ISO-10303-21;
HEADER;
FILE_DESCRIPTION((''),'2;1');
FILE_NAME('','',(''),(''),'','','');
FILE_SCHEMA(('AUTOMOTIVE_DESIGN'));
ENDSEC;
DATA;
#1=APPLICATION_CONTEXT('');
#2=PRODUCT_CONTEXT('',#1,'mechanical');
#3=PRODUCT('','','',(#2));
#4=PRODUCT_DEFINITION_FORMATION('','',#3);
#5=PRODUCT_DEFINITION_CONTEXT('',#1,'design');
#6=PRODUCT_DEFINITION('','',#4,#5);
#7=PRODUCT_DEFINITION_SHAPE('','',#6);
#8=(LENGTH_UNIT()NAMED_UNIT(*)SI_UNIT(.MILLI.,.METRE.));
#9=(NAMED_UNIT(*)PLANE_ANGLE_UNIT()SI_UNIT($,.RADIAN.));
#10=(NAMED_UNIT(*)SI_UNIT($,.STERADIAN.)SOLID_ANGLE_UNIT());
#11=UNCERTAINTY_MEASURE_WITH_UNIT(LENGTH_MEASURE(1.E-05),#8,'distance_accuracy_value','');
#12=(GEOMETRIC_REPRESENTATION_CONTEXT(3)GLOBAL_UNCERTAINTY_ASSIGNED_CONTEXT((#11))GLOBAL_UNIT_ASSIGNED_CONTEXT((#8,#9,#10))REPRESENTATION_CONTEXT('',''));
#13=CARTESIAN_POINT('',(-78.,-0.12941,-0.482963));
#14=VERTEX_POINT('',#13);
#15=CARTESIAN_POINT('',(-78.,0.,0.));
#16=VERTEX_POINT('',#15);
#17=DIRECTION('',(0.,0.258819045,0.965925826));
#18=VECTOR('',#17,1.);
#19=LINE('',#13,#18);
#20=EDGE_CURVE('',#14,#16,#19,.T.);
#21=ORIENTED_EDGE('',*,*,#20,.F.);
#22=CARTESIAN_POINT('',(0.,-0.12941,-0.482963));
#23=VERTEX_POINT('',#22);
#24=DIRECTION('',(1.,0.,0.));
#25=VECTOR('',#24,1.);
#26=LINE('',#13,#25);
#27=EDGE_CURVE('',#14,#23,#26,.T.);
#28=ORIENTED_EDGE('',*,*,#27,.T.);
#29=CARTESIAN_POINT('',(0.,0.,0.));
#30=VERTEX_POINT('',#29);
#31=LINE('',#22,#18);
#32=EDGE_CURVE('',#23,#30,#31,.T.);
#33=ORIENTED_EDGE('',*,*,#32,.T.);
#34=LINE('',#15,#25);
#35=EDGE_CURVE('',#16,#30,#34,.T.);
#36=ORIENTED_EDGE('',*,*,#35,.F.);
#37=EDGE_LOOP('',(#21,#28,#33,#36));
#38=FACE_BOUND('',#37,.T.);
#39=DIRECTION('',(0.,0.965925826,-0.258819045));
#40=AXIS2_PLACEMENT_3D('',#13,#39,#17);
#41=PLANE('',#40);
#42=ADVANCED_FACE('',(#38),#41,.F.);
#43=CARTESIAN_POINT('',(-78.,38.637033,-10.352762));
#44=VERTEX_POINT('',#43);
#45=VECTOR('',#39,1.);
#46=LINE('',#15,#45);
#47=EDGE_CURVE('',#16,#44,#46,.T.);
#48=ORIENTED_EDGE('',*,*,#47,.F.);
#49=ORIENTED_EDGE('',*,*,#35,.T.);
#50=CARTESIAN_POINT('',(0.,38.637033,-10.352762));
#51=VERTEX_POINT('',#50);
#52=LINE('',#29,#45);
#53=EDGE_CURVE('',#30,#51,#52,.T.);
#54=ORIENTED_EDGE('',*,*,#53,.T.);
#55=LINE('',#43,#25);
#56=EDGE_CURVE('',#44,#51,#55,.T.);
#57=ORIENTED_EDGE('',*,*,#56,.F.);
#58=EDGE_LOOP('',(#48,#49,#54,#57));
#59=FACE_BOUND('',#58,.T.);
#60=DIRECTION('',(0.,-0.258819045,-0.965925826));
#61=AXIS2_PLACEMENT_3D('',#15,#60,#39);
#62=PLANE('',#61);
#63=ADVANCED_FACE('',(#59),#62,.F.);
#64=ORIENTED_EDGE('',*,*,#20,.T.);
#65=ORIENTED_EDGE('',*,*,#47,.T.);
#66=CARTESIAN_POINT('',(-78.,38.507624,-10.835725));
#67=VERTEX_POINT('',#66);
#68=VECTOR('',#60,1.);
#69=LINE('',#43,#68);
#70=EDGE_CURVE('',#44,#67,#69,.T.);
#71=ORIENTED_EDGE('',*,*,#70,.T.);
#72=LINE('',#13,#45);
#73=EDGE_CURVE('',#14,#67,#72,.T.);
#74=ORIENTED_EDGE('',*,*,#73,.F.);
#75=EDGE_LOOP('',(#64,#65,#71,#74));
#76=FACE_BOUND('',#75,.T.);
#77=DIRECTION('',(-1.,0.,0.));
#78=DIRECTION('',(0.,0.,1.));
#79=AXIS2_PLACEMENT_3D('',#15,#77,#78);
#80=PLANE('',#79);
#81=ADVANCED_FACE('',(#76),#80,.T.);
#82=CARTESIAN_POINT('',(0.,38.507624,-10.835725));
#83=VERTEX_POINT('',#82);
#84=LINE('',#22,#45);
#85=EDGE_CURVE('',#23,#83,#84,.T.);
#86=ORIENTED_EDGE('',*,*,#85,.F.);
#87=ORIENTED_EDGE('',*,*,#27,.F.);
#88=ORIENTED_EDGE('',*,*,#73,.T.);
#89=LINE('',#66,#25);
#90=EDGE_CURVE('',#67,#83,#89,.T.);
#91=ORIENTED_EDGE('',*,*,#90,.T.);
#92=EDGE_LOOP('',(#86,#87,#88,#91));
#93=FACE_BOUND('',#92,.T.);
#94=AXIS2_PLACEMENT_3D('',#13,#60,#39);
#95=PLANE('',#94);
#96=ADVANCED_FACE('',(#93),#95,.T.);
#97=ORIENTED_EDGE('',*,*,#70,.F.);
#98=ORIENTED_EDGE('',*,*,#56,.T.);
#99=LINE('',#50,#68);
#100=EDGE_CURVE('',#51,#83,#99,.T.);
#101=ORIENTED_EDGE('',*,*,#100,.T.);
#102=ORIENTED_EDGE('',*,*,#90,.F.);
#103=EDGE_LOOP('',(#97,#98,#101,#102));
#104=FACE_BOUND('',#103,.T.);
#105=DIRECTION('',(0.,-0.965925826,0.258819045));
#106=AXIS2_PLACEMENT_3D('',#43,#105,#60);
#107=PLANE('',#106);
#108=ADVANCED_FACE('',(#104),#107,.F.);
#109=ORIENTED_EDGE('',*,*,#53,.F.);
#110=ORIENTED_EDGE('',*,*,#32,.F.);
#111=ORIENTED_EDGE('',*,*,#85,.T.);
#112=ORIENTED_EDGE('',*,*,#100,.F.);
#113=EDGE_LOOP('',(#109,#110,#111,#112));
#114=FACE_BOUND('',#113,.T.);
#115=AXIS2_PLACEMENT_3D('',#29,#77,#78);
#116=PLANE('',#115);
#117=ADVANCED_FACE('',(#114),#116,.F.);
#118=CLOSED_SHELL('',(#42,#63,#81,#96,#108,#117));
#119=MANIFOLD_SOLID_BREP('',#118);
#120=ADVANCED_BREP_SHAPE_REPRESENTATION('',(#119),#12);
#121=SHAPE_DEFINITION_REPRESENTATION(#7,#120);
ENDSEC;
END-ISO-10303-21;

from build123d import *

# Parameters (mm, degrees)
EXTRUDE_THIN1_DEPTH = 78


with BuildPart() as part:
    # Sketch1 → Extrude-Thin1 (new body)
    with BuildSketch(Plane(origin=(0, 0, 0), x_dir=(0, 0, -1), z_dir=(1, 0, 0))):
        Polygon((0, 0), (10.352761804, 38.637033052), (10.835724717, 38.507623529), (0.482962913, -0.129409523), align=None)
    extrude(amount=-EXTRUDE_THIN1_DEPTH)


solid = part.part
